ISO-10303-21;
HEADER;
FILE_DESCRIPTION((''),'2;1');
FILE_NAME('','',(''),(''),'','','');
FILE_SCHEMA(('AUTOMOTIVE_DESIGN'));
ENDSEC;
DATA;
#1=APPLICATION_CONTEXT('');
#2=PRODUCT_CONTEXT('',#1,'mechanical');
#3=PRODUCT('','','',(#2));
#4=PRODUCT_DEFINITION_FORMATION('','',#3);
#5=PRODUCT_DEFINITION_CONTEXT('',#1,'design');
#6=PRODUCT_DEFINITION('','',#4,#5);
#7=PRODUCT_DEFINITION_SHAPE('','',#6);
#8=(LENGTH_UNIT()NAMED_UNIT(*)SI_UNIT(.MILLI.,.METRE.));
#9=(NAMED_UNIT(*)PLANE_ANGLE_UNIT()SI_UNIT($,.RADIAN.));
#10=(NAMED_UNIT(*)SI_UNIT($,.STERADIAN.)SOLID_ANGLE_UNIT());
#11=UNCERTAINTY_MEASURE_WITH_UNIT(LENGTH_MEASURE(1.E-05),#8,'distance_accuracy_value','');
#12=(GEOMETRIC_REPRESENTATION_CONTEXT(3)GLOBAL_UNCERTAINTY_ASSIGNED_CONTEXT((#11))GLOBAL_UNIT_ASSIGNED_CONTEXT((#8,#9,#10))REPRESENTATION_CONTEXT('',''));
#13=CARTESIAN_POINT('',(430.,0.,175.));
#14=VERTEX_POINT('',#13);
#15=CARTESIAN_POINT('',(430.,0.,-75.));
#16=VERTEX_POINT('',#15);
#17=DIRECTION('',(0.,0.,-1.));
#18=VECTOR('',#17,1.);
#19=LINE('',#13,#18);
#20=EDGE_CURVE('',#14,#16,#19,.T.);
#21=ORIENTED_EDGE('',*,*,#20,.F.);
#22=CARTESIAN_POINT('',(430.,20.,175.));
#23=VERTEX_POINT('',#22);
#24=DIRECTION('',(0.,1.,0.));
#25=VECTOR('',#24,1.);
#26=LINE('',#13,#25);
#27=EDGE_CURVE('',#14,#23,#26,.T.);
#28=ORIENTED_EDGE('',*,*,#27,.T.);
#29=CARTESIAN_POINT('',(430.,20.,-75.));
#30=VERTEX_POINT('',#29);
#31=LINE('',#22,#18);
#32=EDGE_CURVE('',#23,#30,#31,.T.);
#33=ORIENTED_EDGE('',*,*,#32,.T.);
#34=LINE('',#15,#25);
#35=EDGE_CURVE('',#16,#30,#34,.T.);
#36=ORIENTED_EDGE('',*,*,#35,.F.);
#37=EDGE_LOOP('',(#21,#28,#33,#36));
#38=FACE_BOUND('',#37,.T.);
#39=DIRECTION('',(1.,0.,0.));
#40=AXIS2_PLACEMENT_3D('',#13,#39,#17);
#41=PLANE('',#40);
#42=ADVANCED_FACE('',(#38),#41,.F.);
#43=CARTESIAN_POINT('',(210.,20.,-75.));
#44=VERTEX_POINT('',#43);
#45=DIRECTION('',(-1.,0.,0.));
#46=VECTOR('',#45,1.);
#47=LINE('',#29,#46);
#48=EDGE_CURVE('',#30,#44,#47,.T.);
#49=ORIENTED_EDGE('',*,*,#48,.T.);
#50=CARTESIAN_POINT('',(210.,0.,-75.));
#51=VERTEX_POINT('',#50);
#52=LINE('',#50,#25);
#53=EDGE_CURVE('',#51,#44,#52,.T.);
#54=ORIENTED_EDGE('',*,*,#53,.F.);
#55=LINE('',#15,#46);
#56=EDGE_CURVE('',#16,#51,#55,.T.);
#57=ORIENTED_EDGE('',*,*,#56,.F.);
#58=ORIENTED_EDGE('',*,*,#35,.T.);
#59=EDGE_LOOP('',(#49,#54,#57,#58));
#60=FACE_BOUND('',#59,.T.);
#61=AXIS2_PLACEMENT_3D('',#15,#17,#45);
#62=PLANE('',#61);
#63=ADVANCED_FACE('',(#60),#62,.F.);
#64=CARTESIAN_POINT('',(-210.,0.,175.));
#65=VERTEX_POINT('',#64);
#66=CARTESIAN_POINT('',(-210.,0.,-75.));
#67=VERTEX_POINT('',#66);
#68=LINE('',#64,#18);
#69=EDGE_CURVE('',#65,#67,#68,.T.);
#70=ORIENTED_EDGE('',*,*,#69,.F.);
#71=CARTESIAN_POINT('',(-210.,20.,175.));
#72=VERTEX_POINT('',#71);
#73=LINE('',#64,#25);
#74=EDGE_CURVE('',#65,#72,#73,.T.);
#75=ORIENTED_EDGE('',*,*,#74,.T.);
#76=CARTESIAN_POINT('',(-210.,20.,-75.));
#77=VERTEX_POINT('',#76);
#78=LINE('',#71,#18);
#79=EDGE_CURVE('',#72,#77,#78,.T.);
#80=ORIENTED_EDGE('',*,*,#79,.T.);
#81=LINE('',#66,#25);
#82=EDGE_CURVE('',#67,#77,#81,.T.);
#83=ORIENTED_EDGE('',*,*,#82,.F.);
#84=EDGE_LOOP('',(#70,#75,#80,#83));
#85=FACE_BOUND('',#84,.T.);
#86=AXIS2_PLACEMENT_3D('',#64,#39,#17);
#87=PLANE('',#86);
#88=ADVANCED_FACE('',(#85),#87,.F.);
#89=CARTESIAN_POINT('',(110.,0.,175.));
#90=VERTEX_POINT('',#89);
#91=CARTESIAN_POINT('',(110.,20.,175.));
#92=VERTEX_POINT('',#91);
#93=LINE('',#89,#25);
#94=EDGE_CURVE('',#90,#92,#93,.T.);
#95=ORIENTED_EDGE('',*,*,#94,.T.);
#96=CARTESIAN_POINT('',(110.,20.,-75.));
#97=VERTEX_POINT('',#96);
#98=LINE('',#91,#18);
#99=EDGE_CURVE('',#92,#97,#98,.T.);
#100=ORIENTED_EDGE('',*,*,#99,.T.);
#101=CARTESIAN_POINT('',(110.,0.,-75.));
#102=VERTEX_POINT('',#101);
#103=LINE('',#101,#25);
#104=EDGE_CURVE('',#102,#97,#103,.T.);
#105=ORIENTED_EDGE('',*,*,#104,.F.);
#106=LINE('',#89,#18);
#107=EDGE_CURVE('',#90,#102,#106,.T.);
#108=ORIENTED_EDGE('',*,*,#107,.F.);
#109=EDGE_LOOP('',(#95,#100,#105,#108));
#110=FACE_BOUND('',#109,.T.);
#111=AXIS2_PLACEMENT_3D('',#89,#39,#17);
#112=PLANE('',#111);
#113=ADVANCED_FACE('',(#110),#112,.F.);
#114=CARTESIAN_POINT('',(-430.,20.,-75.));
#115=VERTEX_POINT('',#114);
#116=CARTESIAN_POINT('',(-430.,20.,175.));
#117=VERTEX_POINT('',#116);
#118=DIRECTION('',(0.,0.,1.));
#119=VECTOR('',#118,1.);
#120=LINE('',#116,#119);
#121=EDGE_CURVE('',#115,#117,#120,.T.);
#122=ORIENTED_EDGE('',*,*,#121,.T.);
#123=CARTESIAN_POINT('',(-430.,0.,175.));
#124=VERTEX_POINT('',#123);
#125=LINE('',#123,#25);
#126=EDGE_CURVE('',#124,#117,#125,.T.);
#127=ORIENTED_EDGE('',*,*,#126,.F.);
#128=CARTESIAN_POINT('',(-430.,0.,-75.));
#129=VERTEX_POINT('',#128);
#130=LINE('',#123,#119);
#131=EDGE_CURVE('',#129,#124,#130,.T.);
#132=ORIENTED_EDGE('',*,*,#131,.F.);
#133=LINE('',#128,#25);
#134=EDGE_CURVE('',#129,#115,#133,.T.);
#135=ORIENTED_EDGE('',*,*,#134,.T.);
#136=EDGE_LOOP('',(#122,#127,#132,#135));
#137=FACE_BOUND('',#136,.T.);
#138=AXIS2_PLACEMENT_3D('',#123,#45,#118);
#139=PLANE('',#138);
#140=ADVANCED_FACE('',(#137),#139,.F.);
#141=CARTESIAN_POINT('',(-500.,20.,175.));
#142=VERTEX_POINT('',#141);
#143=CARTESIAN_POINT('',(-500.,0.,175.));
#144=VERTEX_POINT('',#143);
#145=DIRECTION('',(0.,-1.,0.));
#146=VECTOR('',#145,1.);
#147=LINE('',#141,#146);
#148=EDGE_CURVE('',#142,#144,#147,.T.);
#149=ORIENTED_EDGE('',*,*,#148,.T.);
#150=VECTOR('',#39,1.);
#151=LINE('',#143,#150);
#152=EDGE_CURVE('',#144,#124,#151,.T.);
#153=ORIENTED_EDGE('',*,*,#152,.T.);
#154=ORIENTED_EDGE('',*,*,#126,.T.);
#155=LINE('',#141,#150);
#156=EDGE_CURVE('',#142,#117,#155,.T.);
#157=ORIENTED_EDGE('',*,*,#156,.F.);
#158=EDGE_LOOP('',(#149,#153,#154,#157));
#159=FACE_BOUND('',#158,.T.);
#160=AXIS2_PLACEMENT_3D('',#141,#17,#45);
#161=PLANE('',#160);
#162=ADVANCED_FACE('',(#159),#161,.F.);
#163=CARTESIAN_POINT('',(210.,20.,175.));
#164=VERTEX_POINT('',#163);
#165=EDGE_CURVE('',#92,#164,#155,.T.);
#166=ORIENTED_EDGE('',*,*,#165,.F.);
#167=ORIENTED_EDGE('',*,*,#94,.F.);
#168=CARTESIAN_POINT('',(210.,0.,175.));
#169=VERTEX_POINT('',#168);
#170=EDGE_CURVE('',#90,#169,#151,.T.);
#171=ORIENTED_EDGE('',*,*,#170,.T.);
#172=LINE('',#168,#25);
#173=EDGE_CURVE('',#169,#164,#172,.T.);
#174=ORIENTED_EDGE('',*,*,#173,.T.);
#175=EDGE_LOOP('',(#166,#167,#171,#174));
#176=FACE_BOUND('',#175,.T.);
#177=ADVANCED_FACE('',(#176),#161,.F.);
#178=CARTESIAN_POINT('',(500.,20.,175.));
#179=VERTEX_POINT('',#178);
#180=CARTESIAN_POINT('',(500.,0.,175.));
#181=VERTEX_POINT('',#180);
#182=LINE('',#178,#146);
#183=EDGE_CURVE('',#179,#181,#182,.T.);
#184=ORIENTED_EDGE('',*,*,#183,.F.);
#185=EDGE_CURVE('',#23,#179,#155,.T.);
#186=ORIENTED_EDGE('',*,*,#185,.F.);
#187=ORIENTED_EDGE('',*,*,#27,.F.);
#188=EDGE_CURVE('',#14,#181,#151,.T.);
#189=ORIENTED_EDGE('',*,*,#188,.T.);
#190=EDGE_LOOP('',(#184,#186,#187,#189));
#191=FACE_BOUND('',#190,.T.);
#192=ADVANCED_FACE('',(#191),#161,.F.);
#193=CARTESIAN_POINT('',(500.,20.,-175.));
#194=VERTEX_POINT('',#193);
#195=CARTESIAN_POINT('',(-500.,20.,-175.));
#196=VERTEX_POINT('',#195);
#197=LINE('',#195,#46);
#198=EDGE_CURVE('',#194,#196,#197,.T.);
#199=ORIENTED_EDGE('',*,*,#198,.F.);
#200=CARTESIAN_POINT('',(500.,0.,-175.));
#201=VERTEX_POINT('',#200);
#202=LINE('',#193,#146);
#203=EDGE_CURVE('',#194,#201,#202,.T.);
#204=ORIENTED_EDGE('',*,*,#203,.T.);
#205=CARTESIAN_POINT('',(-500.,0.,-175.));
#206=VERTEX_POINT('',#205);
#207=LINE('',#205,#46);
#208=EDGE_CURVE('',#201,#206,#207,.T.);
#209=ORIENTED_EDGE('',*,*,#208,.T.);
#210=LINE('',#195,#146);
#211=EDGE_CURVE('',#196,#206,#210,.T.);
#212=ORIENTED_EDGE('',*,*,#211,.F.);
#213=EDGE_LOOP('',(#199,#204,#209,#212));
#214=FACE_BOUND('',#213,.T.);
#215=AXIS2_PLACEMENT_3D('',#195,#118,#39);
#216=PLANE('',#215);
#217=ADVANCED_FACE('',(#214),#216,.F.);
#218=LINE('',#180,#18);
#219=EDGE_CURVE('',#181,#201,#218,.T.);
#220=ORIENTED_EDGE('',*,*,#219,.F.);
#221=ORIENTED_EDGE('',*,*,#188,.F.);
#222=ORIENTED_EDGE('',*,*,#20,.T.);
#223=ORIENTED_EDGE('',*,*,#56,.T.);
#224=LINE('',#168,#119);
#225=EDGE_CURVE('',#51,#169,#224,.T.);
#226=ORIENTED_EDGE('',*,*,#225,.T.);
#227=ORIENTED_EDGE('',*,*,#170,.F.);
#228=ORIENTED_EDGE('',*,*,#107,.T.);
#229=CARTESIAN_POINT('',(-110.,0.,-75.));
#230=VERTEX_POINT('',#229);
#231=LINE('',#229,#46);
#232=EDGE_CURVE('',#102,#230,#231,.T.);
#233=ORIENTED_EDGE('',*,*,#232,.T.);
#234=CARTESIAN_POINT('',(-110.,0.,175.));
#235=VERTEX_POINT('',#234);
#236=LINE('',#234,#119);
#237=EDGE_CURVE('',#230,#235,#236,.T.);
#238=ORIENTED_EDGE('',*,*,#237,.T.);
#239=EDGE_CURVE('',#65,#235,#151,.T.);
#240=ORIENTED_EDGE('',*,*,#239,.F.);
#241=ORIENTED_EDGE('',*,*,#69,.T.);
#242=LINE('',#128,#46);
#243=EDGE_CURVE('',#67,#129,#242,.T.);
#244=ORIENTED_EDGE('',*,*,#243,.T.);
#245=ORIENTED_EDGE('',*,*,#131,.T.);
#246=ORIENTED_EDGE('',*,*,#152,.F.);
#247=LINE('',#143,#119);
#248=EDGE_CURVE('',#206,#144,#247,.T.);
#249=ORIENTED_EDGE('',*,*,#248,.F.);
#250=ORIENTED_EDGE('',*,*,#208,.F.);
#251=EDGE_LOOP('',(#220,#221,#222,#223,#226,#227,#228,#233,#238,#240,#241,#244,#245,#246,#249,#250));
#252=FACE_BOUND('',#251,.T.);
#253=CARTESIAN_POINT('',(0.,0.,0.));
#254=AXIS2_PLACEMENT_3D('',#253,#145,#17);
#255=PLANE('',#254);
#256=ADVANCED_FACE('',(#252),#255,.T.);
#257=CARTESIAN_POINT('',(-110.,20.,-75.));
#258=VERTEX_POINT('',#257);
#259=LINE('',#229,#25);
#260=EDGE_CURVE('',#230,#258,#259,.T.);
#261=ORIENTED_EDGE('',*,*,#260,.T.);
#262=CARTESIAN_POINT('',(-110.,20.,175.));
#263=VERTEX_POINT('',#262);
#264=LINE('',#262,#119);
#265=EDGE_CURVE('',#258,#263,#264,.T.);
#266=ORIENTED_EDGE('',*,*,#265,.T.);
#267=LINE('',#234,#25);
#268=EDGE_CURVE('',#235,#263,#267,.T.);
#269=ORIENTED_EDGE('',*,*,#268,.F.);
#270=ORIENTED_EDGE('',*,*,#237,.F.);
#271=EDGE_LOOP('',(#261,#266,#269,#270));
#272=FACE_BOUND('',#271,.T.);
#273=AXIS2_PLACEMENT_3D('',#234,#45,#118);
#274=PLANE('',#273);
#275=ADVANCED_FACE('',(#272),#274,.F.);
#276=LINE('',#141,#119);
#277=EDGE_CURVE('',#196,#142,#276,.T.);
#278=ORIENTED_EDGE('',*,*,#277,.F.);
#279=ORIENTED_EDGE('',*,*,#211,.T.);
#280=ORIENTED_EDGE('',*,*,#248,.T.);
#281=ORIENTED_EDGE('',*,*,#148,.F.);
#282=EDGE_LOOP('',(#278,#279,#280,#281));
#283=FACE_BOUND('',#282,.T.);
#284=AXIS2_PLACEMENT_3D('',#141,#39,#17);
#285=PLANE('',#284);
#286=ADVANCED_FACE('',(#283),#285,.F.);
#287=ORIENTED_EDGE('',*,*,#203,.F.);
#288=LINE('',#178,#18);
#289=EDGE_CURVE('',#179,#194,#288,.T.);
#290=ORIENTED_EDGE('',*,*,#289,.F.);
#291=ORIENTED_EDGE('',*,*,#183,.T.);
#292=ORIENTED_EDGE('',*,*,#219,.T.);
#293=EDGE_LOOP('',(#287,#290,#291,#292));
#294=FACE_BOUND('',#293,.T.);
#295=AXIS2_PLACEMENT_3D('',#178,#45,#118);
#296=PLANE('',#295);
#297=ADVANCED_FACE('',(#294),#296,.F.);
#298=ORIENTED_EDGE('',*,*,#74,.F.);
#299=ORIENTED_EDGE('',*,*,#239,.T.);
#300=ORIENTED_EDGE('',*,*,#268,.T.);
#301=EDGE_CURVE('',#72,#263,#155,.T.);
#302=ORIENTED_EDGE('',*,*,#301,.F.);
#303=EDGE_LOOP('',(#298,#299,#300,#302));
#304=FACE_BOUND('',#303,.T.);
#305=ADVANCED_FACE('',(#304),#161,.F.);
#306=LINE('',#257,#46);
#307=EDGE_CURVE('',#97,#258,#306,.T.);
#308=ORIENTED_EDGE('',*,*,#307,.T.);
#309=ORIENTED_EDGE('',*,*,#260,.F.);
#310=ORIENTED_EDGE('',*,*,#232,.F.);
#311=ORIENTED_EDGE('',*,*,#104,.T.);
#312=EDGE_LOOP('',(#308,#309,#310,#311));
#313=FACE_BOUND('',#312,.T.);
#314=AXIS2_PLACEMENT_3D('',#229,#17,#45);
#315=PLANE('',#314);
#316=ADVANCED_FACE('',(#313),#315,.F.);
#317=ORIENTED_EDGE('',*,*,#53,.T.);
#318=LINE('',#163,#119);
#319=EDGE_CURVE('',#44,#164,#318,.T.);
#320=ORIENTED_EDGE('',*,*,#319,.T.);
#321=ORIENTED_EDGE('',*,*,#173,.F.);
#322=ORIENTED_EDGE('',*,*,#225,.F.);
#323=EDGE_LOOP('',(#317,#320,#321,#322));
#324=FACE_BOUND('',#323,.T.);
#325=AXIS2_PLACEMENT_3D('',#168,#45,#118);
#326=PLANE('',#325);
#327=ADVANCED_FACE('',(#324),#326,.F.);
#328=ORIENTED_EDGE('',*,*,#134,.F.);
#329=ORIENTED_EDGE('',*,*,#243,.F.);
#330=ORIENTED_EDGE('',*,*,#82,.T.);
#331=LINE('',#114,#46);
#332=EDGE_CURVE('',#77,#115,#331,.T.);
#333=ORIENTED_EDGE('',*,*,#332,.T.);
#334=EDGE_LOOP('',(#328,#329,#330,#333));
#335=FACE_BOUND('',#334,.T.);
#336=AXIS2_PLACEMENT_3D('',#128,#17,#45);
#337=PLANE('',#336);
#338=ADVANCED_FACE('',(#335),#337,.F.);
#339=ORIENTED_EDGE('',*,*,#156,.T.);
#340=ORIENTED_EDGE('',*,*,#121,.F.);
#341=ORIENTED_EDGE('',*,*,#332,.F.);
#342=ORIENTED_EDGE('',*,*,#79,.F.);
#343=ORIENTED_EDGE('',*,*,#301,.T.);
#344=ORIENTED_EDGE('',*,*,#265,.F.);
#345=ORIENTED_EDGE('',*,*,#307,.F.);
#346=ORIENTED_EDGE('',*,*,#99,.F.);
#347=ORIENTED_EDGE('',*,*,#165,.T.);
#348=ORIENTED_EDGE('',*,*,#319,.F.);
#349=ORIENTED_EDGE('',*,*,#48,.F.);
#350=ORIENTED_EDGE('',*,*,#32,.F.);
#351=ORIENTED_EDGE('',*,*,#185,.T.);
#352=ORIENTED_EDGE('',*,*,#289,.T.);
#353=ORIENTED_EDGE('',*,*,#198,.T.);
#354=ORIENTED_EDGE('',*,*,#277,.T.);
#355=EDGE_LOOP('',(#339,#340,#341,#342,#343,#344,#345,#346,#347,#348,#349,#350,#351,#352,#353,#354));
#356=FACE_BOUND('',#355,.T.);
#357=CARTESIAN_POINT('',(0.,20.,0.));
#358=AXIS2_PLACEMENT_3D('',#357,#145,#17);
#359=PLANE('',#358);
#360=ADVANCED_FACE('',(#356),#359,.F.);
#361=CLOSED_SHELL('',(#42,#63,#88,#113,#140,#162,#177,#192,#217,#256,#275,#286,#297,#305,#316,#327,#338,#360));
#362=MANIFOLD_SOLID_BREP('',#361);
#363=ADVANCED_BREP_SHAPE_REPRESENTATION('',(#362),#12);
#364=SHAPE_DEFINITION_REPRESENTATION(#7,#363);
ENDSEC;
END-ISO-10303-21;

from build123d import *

# Parameters (mm, degrees)
SKETCH2_W           = 1000
SKETCH2_H           = 350
BOSS_EXTRUDE1_DEPTH = 20
SKETCH3_W           = 220
SKETCH3_H           = 250
CUT_EXTRUDE1_DEPTH  = 20


with BuildPart() as part:
    # Sketch2 → Boss-Extrude1 (new body)
    with BuildSketch(Plane(origin=(0, 0, 0), x_dir=(1, 0, 0), z_dir=(0, 1, 0))):
        Rectangle(SKETCH2_W, SKETCH2_H)
    extrude(amount=BOSS_EXTRUDE1_DEPTH)

    # Sketch3 → Cut-Extrude1 (cut)
    with BuildSketch(Plane(origin=(0, 20, 0), x_dir=(1, 0, 0), z_dir=(0, 1, 0))):
        with Locations((0, -50)):
            Rectangle(SKETCH3_W, SKETCH3_H)
        with Locations((320, -50)):
            Rectangle(SKETCH3_W, SKETCH3_H)
        with Locations((-320, -50)):
            Rectangle(SKETCH3_W, SKETCH3_H)
    extrude(amount=-CUT_EXTRUDE1_DEPTH, mode=Mode.SUBTRACT)


solid = part.part
